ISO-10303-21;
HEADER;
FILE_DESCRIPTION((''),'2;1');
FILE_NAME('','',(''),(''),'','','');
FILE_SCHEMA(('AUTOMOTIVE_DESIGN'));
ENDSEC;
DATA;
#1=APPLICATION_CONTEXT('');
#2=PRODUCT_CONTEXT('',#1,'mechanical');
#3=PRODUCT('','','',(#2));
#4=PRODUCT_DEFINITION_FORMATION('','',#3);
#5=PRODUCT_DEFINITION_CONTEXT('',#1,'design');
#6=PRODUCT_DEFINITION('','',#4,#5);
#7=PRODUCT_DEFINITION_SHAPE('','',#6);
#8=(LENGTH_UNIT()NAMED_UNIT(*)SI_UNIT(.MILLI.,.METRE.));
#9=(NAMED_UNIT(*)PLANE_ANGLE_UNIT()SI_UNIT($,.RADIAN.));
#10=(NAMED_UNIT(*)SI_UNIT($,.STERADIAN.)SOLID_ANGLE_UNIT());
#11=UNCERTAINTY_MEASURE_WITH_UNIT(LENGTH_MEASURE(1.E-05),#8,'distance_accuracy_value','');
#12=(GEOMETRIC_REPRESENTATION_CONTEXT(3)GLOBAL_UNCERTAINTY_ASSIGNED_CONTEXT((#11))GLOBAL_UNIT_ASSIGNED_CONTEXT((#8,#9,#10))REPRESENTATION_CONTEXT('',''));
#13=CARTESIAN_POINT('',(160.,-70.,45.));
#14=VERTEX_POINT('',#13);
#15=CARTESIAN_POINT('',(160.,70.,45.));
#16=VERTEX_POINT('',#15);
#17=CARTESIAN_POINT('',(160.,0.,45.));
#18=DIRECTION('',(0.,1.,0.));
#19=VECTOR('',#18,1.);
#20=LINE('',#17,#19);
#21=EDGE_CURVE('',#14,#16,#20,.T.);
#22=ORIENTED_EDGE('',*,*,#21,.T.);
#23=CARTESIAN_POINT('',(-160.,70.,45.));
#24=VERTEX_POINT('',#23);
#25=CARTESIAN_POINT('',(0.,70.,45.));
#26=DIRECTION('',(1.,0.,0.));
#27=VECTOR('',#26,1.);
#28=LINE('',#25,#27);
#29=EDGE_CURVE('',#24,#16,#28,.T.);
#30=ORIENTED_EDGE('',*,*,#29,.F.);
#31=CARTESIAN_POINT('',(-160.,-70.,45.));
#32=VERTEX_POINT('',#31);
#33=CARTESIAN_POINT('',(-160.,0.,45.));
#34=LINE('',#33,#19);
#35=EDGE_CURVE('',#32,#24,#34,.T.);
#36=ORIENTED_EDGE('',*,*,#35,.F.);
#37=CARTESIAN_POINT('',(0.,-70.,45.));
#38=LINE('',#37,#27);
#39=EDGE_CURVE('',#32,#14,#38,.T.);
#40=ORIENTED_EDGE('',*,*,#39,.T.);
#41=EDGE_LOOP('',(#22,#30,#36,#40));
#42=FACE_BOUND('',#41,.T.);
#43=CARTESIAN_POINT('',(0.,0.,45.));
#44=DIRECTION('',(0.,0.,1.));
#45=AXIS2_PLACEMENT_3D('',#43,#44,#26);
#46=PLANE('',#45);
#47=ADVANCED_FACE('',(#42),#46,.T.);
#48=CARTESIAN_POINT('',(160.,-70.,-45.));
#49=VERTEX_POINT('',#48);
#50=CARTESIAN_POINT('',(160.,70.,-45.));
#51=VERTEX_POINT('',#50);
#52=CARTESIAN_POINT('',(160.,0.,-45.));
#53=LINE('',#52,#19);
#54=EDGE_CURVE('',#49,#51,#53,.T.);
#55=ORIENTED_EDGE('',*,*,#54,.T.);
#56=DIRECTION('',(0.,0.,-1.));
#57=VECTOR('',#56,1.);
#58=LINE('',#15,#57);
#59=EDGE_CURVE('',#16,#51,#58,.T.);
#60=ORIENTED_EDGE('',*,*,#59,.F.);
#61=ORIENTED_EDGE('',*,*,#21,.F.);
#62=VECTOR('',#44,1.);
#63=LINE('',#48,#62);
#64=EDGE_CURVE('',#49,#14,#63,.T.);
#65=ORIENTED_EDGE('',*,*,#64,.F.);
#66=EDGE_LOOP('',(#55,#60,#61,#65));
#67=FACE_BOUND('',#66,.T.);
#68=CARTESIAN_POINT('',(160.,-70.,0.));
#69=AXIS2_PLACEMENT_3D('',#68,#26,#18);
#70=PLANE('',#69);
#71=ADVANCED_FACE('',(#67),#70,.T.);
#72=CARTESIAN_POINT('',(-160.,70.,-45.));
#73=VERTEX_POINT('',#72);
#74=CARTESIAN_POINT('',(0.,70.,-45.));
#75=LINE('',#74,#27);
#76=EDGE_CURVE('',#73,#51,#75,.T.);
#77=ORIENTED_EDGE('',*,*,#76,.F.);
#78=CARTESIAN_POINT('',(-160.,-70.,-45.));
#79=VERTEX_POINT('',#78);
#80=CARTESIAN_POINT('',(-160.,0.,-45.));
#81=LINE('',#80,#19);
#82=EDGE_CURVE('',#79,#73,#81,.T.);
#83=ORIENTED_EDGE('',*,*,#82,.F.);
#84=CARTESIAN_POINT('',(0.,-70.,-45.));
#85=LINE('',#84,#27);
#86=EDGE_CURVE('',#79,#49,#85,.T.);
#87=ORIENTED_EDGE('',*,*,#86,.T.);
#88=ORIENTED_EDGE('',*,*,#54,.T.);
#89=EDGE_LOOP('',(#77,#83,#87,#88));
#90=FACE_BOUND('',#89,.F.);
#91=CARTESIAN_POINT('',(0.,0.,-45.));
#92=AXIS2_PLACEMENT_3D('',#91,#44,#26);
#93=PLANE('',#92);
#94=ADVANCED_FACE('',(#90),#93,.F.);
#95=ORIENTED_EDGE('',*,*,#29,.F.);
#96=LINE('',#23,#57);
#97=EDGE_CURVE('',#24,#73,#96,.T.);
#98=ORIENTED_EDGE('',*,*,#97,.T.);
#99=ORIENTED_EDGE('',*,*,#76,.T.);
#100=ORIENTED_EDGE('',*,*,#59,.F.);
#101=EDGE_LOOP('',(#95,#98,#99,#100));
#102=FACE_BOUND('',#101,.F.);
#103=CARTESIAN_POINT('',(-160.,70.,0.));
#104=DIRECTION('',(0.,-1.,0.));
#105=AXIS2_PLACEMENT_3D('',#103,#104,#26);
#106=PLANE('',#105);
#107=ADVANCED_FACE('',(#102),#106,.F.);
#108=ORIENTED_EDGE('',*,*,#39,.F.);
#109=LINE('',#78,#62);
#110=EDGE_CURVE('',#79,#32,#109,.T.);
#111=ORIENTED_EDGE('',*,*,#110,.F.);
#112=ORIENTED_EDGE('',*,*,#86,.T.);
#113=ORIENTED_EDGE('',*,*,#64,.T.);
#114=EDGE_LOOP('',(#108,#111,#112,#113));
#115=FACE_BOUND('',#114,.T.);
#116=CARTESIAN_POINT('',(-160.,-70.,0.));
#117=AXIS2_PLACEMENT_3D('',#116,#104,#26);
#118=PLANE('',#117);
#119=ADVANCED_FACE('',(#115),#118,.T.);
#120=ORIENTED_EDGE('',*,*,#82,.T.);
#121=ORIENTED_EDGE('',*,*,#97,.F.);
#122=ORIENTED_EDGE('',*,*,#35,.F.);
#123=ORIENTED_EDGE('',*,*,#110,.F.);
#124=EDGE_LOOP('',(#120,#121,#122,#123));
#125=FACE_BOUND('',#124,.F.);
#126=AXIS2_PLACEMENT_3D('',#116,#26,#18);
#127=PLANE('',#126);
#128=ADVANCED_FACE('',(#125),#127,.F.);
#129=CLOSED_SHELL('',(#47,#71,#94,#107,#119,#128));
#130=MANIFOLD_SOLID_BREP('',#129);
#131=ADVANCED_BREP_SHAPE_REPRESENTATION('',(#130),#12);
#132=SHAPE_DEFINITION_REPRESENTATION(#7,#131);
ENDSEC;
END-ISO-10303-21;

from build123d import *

# Parameters (mm, degrees)
SKETCH_W  = 320
SKETCH_H  = 140
PAD_DEPTH = 45


with BuildPart() as part:
    # Sketch → Pad (new body, symmetric)
    with BuildSketch(Plane.XY):
        Rectangle(SKETCH_W, SKETCH_H)
    extrude(amount=PAD_DEPTH, both=True)


solid = part.part
